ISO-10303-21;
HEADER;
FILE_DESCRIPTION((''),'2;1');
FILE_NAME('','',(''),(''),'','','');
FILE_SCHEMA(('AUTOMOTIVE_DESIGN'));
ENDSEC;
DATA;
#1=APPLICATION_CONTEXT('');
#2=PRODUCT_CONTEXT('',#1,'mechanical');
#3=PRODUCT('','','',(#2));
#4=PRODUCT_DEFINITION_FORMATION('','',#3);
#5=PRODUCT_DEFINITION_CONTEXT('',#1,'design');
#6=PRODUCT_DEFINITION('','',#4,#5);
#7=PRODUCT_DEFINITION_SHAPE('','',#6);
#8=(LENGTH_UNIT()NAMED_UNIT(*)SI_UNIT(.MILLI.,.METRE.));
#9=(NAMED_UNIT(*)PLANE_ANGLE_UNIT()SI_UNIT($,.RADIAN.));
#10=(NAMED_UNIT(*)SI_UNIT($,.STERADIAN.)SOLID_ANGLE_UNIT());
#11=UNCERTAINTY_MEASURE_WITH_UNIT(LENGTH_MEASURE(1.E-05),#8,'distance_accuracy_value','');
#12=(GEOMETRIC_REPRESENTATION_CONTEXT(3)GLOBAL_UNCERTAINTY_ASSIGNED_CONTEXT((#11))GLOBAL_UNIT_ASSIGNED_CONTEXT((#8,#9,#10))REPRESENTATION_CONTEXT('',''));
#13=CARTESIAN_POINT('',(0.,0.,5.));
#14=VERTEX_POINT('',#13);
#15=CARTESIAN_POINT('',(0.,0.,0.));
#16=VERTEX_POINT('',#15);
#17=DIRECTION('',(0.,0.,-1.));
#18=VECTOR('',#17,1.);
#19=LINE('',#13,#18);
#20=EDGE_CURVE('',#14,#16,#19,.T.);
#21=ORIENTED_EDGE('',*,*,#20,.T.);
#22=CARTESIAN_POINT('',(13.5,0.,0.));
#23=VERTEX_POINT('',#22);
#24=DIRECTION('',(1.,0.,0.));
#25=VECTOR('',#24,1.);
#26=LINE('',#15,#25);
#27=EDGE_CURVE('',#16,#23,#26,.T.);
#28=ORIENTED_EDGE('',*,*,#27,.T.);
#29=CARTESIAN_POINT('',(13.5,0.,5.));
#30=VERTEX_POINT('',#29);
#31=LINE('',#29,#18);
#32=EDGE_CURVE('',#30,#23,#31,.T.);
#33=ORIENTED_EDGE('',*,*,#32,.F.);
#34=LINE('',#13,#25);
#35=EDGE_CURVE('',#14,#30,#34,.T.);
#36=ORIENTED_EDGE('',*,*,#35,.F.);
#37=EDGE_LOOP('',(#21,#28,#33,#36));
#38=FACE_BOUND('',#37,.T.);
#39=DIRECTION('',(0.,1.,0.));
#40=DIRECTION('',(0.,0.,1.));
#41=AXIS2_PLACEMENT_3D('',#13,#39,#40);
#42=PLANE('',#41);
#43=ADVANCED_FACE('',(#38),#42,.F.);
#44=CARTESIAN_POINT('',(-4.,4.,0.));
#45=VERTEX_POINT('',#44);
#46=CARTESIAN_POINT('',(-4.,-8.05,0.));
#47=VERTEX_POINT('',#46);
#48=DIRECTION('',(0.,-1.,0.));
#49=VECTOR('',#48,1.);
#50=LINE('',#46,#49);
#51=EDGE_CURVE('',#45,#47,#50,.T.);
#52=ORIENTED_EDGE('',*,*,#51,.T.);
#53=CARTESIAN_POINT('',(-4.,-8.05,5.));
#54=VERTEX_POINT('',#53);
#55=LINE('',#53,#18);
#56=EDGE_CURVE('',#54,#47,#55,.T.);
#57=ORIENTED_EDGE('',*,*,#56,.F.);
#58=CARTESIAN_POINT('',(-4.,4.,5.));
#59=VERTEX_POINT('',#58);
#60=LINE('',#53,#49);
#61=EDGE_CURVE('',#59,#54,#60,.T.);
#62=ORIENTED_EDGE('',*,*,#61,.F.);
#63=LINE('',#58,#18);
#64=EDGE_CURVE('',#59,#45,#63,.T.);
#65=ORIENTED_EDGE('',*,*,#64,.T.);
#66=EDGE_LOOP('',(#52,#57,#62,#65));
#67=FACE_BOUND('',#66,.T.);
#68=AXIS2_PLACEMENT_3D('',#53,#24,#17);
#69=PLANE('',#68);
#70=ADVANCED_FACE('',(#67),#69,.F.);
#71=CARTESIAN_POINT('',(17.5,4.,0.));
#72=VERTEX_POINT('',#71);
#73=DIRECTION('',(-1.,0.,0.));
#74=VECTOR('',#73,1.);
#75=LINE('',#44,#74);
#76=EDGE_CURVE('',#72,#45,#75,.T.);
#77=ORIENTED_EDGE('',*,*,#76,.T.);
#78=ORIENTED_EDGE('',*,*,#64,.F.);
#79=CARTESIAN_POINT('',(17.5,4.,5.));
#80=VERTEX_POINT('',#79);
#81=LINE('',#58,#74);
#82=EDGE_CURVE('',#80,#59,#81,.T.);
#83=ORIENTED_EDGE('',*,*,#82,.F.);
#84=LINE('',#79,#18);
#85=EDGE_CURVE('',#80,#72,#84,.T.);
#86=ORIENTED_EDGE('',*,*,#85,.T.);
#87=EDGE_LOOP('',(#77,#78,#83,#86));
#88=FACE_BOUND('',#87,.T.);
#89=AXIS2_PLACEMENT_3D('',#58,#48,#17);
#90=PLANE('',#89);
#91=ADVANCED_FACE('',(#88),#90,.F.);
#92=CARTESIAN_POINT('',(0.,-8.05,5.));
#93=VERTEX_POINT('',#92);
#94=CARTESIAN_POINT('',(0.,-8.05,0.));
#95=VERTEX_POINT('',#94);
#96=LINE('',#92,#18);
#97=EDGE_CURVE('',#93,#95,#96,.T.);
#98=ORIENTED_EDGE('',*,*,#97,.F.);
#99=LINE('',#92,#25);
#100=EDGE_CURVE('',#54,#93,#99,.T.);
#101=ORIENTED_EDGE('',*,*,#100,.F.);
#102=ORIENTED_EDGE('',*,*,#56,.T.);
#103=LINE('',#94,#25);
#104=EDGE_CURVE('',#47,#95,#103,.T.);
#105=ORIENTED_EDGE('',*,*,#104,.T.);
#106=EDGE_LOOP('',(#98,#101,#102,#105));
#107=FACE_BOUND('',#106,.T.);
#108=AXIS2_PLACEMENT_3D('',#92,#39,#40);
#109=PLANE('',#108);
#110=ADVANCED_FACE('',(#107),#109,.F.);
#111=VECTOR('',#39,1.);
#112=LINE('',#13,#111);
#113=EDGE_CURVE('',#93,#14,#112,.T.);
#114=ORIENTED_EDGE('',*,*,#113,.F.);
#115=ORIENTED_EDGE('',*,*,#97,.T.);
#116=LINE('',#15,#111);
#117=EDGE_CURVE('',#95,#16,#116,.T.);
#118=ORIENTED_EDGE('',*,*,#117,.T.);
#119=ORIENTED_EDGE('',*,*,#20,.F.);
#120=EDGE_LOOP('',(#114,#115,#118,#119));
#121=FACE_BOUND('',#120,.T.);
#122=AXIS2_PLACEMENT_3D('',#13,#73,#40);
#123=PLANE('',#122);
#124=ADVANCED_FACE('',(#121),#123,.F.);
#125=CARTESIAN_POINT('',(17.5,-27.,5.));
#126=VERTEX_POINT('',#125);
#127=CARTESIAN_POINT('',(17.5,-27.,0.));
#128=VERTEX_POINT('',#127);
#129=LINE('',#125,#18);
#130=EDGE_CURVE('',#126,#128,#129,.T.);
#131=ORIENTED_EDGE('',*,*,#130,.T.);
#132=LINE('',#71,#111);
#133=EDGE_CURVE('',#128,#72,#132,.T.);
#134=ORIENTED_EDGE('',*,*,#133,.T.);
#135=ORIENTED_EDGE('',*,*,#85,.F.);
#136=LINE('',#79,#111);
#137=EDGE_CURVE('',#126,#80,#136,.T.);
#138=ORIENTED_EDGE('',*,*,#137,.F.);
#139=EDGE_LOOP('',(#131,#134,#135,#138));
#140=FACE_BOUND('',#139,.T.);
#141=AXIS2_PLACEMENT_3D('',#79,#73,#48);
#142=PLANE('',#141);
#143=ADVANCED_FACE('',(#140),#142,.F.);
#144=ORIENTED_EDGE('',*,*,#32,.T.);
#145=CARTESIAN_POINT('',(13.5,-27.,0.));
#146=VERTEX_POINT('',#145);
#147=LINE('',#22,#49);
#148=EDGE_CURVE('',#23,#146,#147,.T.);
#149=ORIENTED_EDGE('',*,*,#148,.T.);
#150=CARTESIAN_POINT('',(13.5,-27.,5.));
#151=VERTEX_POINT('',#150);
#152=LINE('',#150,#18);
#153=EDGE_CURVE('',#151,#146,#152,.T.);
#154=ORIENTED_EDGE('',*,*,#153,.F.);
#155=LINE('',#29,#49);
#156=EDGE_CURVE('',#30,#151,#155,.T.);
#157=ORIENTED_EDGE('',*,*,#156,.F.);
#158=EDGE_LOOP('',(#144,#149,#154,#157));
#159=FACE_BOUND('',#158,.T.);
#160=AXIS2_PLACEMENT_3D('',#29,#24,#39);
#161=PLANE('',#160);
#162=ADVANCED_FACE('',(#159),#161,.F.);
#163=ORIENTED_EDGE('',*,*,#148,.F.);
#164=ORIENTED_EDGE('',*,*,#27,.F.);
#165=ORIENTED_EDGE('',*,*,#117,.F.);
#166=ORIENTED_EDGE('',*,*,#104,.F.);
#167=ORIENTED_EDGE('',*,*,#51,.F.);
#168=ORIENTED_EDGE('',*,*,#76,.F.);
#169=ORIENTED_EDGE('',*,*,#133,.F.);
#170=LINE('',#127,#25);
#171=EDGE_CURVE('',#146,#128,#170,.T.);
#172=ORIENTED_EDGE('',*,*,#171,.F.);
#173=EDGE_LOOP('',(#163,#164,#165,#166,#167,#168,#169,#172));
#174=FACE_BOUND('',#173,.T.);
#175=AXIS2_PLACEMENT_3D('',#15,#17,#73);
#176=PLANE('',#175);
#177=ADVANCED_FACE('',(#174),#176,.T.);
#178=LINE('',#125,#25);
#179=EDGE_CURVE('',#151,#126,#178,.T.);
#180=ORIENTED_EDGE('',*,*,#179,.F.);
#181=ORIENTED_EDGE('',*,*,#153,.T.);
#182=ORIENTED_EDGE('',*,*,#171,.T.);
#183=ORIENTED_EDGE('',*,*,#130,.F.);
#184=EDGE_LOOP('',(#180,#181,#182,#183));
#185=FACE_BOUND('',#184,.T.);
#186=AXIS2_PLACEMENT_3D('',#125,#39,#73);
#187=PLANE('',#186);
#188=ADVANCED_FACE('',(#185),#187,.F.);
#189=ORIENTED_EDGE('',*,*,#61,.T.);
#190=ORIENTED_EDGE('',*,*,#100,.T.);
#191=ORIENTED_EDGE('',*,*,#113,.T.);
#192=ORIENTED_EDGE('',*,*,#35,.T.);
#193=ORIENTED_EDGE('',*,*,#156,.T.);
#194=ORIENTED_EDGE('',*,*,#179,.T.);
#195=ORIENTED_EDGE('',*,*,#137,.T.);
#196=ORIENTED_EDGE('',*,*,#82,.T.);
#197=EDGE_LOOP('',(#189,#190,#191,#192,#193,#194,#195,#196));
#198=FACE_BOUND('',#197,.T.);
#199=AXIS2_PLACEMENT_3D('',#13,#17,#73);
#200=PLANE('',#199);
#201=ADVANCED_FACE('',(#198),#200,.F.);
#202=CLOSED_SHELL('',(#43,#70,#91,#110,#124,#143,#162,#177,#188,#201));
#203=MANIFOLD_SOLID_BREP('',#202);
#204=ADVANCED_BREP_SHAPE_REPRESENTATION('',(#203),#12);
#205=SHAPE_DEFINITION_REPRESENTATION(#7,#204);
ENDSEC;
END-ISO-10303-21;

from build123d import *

# Parameters (mm, degrees)
BOSS_EXTRUDE1_DEPTH = 5


with BuildPart() as part:
    # Sketch1 → Boss-Extrude1 (new body)
    with BuildSketch(Plane.XY):
        Polygon((0, 0), (13.5, 0), (13.5, -27), (17.5, -27), (17.5, 4), (-4, 4), (-4, -8.05), (0, -8.05), align=None)
    extrude(amount=BOSS_EXTRUDE1_DEPTH)


solid = part.part
